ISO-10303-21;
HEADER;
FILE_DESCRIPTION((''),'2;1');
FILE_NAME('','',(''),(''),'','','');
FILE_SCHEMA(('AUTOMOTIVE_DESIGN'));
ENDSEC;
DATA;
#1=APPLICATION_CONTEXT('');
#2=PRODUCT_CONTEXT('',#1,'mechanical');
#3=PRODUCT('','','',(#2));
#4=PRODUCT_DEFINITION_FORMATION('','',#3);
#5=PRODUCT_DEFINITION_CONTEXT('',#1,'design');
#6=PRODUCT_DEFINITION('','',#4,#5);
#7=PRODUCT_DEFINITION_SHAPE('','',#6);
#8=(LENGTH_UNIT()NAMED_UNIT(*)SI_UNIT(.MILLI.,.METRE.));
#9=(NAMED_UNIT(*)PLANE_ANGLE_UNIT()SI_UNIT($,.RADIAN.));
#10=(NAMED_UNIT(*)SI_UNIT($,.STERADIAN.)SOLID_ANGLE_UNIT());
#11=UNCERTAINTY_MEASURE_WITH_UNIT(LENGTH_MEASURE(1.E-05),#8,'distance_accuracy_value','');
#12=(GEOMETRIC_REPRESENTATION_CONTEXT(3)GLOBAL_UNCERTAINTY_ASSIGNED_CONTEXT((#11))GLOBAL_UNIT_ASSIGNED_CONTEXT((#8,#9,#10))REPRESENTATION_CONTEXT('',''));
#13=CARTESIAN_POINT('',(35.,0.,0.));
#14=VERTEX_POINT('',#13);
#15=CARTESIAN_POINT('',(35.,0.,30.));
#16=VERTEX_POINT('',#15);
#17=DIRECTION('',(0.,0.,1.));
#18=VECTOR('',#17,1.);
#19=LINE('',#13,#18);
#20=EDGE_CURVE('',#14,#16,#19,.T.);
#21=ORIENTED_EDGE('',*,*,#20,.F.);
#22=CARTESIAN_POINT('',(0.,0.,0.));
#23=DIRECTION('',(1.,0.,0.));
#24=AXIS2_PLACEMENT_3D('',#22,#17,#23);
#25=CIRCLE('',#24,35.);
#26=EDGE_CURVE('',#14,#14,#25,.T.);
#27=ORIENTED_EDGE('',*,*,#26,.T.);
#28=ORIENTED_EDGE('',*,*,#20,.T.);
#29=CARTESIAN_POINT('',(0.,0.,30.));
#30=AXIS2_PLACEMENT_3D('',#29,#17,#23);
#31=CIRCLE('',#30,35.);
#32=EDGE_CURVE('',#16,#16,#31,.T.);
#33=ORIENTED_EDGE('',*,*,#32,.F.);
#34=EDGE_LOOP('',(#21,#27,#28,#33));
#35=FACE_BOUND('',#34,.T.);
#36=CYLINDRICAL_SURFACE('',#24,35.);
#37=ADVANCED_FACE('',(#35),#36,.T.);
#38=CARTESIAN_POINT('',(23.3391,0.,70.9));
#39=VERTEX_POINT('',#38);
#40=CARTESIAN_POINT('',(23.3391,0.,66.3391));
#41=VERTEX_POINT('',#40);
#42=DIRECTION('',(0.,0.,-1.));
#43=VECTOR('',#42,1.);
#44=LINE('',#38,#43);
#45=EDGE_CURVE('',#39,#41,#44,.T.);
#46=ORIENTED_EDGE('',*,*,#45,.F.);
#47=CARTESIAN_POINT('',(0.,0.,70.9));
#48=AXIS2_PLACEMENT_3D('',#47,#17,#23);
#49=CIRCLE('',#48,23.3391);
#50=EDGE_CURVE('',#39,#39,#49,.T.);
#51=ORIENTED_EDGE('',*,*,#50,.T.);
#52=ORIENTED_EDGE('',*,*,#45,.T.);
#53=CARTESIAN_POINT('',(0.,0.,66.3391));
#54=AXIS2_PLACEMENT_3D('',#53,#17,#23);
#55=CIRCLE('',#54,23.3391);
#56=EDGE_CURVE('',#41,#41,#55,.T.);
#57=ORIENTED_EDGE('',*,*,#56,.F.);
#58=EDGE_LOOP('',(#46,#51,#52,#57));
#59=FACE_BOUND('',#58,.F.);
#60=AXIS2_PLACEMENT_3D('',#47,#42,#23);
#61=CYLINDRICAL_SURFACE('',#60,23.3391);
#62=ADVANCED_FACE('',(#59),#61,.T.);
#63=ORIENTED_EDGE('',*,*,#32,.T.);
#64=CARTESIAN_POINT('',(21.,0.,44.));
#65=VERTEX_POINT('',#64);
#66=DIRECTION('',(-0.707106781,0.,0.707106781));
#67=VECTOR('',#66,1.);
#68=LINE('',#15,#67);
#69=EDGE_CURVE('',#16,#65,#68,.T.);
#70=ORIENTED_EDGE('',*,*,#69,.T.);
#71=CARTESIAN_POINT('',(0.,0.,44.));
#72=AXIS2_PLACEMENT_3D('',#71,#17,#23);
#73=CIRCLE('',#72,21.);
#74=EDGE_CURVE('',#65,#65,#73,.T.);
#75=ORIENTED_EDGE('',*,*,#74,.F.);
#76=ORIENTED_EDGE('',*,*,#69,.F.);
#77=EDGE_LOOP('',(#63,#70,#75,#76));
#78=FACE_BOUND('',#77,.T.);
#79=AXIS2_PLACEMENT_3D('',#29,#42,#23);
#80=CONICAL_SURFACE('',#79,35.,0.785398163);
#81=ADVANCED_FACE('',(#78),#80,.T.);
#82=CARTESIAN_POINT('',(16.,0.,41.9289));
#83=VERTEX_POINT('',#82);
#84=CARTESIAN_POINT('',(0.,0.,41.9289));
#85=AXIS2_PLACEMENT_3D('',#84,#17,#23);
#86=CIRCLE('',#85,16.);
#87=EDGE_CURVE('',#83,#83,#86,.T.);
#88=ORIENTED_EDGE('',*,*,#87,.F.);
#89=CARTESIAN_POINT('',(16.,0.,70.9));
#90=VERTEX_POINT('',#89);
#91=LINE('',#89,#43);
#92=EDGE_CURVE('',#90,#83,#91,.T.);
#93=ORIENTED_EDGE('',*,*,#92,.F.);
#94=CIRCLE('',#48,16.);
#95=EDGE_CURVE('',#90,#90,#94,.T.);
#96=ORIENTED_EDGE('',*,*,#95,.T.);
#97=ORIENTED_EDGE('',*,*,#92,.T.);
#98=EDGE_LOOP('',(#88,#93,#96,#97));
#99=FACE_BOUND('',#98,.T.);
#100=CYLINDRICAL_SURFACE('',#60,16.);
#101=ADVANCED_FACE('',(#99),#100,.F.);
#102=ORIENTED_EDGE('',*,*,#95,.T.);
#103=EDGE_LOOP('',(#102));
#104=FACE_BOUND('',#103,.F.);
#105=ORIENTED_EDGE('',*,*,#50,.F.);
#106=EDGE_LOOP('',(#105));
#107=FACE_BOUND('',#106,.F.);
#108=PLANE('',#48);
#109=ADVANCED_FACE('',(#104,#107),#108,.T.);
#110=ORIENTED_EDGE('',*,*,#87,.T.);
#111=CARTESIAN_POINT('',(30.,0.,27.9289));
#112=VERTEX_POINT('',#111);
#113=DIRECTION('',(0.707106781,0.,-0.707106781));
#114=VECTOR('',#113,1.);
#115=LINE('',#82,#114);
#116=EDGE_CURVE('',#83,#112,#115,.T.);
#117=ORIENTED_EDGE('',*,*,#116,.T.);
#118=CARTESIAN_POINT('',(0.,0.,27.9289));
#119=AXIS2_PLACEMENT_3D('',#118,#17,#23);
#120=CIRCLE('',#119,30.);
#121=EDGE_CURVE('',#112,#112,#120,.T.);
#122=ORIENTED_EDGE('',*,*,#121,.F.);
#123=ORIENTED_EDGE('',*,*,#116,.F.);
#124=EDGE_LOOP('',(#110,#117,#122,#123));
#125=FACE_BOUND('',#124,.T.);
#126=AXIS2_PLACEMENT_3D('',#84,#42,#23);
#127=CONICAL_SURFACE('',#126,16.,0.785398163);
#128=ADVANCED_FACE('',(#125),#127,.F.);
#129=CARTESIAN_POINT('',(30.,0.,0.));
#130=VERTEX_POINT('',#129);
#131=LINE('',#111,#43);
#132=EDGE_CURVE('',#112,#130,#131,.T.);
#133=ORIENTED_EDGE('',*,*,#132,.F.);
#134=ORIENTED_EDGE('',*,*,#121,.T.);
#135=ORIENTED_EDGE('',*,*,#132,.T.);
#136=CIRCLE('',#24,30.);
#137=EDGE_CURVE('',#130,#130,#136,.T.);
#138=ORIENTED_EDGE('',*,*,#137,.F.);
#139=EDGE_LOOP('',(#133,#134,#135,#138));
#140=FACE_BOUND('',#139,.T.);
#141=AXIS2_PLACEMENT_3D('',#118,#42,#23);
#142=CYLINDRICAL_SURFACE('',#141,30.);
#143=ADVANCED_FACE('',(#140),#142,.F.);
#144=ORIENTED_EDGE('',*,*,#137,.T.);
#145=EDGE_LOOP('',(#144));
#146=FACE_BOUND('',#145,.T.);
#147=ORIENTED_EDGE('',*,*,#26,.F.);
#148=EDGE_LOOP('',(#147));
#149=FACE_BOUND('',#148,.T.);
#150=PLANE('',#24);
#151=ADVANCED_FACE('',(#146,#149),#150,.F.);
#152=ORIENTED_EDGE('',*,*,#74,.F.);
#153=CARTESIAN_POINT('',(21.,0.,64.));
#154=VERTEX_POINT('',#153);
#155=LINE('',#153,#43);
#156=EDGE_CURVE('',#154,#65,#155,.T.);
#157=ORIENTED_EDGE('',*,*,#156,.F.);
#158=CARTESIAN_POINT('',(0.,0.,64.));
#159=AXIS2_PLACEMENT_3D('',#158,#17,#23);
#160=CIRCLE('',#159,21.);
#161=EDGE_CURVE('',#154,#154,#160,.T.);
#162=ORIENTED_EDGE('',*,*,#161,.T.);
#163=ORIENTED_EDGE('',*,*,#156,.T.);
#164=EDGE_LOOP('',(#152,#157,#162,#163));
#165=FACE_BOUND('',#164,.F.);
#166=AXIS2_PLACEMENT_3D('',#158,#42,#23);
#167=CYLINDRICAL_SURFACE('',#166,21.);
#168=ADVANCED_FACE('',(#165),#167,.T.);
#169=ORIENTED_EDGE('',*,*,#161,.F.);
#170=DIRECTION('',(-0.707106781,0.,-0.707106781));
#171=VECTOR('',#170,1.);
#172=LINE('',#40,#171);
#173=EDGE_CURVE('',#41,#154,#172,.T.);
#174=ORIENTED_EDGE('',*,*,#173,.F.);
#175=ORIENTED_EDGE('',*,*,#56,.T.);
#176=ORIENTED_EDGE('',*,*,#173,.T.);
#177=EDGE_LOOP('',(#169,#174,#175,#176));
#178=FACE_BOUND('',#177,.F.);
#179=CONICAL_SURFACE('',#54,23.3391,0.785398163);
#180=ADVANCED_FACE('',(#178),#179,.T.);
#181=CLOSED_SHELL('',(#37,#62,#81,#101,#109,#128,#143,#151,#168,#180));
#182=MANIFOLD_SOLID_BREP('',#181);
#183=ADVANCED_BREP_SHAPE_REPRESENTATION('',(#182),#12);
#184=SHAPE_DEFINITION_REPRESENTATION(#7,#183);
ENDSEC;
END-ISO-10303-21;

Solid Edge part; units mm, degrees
sketch "Sketch1" plane through (0, 0, 0) normal (0, -1, 0) x (1, 0, 0)
  line L0 (23.3391, 70.9) -> (23.3391, 66.3391)
  line L1 (23.3391, 66.3391) -> (21, 64)
  line L2 (21, 64) -> (21, 44)
  line L3 (35, 30) -> (21, 44)
  line L4 (35, 0) -> (35, 30)
  line L5 (30, 0) -> (35, 0)
  line L6 (30, 27.9289) -> (30, 0)
  line L7 (16, 41.9289) -> (30, 27.9289)
  line L8 (16, 70.9) -> (16, 41.9289)
  line L9 (16, 70.9) -> (23.3391, 70.9)
revolve "RevolvedProtrusion1" add sketch "Sketch1" angle 360 about axis through (0, 0, 0) along (0, 0, 1)
